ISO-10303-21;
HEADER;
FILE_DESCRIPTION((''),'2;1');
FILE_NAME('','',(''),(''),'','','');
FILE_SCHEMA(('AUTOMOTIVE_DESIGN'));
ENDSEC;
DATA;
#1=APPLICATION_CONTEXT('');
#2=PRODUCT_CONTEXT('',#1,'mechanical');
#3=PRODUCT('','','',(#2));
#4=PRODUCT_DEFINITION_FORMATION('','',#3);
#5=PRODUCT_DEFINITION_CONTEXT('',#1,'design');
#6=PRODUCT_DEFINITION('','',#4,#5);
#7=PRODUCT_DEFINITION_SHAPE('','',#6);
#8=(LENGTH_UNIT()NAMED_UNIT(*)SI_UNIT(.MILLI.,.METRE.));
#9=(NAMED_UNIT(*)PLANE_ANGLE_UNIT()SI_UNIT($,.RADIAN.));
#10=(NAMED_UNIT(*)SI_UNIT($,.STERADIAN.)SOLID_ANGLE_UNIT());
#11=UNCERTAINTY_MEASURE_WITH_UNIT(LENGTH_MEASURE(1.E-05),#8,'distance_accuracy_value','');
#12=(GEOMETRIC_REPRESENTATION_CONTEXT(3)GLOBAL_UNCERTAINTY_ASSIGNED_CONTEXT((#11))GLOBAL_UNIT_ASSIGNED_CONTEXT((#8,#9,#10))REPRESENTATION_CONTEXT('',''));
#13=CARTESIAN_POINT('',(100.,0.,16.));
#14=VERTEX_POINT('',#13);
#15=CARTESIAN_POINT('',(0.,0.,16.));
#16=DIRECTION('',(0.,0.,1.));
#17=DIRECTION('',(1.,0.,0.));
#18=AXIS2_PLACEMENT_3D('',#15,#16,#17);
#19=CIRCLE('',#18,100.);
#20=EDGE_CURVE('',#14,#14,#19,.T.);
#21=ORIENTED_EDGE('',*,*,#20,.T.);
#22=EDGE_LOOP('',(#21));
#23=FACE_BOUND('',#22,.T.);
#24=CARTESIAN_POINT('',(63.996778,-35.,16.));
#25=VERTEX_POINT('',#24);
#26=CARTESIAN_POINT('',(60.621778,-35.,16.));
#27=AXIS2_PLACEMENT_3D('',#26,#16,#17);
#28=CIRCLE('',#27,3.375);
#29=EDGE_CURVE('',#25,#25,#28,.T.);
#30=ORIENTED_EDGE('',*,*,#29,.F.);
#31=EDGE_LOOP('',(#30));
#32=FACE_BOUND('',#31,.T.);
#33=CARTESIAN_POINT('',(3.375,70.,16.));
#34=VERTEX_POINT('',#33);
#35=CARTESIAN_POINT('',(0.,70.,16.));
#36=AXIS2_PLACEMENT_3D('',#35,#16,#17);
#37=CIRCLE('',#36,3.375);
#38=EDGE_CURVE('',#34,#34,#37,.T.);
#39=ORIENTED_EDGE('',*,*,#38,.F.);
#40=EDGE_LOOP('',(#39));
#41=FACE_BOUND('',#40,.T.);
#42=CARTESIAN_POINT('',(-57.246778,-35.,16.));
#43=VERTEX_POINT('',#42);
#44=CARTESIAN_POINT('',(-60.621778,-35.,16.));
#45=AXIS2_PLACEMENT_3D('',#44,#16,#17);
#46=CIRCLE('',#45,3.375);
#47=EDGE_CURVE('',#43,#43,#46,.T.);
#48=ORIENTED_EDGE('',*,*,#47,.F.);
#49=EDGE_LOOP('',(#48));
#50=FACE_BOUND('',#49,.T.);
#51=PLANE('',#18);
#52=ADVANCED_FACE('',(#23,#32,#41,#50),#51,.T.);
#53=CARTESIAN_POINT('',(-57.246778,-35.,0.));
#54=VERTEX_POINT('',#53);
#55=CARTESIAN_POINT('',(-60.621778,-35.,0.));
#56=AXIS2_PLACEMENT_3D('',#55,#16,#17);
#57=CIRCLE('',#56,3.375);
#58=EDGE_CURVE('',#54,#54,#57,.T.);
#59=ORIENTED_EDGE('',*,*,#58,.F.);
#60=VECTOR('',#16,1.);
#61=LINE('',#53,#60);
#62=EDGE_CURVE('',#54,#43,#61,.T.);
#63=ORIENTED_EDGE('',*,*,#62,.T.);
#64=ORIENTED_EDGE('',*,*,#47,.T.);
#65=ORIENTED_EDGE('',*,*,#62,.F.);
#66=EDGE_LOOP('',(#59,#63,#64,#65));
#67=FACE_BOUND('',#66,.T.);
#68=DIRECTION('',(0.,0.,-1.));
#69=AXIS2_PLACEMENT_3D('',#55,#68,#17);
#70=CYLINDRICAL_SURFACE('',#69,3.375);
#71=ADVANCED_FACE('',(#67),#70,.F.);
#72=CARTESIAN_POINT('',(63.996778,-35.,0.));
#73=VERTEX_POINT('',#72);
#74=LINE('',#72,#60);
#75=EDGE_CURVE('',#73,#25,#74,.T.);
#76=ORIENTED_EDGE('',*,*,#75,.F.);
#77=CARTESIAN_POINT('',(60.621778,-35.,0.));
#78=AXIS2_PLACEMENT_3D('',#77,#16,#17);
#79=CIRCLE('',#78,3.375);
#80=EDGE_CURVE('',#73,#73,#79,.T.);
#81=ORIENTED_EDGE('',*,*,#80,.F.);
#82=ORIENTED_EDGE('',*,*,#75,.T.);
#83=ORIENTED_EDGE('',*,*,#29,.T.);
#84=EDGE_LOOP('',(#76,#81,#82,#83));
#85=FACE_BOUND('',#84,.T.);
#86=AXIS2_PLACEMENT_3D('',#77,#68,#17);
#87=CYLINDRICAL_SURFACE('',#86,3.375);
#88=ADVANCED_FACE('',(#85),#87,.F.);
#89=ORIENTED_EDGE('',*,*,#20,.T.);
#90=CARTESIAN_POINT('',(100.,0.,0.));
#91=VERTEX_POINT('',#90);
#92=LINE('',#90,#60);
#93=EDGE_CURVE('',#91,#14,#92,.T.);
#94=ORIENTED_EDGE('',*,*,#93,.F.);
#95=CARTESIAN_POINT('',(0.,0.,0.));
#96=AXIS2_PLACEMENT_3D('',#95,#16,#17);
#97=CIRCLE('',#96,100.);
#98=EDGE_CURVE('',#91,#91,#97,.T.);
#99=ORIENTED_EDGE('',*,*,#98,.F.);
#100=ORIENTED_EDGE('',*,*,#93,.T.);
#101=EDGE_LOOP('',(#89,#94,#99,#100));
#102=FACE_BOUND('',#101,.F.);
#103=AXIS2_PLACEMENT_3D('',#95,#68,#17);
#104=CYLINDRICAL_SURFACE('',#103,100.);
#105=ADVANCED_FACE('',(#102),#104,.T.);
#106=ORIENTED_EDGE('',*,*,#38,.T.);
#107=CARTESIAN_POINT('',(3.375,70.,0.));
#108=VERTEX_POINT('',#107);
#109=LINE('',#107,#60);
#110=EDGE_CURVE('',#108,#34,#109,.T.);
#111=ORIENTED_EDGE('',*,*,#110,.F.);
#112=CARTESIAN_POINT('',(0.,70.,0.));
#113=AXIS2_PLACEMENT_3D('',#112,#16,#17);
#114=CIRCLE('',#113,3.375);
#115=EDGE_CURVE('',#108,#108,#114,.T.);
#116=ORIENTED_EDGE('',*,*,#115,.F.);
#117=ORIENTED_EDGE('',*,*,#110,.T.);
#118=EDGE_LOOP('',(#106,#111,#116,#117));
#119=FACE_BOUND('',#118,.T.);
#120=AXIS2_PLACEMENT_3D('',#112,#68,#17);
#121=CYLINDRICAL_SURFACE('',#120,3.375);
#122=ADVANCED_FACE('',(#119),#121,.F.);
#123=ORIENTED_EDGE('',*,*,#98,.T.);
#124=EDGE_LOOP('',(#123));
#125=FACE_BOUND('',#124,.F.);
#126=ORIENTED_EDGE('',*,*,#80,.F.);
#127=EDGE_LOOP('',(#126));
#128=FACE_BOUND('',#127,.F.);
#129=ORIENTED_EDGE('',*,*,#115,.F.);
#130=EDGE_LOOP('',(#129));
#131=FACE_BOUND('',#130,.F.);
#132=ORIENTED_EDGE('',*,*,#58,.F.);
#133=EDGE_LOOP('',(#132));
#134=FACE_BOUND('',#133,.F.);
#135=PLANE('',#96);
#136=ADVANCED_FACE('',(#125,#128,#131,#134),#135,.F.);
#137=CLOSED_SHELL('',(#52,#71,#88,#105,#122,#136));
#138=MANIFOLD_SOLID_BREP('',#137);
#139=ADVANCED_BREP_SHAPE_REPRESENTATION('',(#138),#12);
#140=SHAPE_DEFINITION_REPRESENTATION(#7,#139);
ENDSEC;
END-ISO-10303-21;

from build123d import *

# Parameters (mm, degrees)
F0_R     = 100
F0_R_2   = 3.375
F1_DEPTH = 16


with BuildPart() as f1:
    # F0 (on Top) → F1 (new body)
    with BuildSketch(Plane.XY):
        Circle(F0_R)
        with Locations((-60.621778, -35)):
            Circle(F0_R_2, mode=Mode.SUBTRACT)
        with Locations((60.621778, -35)):
            Circle(F0_R_2, mode=Mode.SUBTRACT)
        with Locations((0, 70)):
            Circle(F0_R_2, mode=Mode.SUBTRACT)
    extrude(amount=F1_DEPTH)


solid = f1.part
